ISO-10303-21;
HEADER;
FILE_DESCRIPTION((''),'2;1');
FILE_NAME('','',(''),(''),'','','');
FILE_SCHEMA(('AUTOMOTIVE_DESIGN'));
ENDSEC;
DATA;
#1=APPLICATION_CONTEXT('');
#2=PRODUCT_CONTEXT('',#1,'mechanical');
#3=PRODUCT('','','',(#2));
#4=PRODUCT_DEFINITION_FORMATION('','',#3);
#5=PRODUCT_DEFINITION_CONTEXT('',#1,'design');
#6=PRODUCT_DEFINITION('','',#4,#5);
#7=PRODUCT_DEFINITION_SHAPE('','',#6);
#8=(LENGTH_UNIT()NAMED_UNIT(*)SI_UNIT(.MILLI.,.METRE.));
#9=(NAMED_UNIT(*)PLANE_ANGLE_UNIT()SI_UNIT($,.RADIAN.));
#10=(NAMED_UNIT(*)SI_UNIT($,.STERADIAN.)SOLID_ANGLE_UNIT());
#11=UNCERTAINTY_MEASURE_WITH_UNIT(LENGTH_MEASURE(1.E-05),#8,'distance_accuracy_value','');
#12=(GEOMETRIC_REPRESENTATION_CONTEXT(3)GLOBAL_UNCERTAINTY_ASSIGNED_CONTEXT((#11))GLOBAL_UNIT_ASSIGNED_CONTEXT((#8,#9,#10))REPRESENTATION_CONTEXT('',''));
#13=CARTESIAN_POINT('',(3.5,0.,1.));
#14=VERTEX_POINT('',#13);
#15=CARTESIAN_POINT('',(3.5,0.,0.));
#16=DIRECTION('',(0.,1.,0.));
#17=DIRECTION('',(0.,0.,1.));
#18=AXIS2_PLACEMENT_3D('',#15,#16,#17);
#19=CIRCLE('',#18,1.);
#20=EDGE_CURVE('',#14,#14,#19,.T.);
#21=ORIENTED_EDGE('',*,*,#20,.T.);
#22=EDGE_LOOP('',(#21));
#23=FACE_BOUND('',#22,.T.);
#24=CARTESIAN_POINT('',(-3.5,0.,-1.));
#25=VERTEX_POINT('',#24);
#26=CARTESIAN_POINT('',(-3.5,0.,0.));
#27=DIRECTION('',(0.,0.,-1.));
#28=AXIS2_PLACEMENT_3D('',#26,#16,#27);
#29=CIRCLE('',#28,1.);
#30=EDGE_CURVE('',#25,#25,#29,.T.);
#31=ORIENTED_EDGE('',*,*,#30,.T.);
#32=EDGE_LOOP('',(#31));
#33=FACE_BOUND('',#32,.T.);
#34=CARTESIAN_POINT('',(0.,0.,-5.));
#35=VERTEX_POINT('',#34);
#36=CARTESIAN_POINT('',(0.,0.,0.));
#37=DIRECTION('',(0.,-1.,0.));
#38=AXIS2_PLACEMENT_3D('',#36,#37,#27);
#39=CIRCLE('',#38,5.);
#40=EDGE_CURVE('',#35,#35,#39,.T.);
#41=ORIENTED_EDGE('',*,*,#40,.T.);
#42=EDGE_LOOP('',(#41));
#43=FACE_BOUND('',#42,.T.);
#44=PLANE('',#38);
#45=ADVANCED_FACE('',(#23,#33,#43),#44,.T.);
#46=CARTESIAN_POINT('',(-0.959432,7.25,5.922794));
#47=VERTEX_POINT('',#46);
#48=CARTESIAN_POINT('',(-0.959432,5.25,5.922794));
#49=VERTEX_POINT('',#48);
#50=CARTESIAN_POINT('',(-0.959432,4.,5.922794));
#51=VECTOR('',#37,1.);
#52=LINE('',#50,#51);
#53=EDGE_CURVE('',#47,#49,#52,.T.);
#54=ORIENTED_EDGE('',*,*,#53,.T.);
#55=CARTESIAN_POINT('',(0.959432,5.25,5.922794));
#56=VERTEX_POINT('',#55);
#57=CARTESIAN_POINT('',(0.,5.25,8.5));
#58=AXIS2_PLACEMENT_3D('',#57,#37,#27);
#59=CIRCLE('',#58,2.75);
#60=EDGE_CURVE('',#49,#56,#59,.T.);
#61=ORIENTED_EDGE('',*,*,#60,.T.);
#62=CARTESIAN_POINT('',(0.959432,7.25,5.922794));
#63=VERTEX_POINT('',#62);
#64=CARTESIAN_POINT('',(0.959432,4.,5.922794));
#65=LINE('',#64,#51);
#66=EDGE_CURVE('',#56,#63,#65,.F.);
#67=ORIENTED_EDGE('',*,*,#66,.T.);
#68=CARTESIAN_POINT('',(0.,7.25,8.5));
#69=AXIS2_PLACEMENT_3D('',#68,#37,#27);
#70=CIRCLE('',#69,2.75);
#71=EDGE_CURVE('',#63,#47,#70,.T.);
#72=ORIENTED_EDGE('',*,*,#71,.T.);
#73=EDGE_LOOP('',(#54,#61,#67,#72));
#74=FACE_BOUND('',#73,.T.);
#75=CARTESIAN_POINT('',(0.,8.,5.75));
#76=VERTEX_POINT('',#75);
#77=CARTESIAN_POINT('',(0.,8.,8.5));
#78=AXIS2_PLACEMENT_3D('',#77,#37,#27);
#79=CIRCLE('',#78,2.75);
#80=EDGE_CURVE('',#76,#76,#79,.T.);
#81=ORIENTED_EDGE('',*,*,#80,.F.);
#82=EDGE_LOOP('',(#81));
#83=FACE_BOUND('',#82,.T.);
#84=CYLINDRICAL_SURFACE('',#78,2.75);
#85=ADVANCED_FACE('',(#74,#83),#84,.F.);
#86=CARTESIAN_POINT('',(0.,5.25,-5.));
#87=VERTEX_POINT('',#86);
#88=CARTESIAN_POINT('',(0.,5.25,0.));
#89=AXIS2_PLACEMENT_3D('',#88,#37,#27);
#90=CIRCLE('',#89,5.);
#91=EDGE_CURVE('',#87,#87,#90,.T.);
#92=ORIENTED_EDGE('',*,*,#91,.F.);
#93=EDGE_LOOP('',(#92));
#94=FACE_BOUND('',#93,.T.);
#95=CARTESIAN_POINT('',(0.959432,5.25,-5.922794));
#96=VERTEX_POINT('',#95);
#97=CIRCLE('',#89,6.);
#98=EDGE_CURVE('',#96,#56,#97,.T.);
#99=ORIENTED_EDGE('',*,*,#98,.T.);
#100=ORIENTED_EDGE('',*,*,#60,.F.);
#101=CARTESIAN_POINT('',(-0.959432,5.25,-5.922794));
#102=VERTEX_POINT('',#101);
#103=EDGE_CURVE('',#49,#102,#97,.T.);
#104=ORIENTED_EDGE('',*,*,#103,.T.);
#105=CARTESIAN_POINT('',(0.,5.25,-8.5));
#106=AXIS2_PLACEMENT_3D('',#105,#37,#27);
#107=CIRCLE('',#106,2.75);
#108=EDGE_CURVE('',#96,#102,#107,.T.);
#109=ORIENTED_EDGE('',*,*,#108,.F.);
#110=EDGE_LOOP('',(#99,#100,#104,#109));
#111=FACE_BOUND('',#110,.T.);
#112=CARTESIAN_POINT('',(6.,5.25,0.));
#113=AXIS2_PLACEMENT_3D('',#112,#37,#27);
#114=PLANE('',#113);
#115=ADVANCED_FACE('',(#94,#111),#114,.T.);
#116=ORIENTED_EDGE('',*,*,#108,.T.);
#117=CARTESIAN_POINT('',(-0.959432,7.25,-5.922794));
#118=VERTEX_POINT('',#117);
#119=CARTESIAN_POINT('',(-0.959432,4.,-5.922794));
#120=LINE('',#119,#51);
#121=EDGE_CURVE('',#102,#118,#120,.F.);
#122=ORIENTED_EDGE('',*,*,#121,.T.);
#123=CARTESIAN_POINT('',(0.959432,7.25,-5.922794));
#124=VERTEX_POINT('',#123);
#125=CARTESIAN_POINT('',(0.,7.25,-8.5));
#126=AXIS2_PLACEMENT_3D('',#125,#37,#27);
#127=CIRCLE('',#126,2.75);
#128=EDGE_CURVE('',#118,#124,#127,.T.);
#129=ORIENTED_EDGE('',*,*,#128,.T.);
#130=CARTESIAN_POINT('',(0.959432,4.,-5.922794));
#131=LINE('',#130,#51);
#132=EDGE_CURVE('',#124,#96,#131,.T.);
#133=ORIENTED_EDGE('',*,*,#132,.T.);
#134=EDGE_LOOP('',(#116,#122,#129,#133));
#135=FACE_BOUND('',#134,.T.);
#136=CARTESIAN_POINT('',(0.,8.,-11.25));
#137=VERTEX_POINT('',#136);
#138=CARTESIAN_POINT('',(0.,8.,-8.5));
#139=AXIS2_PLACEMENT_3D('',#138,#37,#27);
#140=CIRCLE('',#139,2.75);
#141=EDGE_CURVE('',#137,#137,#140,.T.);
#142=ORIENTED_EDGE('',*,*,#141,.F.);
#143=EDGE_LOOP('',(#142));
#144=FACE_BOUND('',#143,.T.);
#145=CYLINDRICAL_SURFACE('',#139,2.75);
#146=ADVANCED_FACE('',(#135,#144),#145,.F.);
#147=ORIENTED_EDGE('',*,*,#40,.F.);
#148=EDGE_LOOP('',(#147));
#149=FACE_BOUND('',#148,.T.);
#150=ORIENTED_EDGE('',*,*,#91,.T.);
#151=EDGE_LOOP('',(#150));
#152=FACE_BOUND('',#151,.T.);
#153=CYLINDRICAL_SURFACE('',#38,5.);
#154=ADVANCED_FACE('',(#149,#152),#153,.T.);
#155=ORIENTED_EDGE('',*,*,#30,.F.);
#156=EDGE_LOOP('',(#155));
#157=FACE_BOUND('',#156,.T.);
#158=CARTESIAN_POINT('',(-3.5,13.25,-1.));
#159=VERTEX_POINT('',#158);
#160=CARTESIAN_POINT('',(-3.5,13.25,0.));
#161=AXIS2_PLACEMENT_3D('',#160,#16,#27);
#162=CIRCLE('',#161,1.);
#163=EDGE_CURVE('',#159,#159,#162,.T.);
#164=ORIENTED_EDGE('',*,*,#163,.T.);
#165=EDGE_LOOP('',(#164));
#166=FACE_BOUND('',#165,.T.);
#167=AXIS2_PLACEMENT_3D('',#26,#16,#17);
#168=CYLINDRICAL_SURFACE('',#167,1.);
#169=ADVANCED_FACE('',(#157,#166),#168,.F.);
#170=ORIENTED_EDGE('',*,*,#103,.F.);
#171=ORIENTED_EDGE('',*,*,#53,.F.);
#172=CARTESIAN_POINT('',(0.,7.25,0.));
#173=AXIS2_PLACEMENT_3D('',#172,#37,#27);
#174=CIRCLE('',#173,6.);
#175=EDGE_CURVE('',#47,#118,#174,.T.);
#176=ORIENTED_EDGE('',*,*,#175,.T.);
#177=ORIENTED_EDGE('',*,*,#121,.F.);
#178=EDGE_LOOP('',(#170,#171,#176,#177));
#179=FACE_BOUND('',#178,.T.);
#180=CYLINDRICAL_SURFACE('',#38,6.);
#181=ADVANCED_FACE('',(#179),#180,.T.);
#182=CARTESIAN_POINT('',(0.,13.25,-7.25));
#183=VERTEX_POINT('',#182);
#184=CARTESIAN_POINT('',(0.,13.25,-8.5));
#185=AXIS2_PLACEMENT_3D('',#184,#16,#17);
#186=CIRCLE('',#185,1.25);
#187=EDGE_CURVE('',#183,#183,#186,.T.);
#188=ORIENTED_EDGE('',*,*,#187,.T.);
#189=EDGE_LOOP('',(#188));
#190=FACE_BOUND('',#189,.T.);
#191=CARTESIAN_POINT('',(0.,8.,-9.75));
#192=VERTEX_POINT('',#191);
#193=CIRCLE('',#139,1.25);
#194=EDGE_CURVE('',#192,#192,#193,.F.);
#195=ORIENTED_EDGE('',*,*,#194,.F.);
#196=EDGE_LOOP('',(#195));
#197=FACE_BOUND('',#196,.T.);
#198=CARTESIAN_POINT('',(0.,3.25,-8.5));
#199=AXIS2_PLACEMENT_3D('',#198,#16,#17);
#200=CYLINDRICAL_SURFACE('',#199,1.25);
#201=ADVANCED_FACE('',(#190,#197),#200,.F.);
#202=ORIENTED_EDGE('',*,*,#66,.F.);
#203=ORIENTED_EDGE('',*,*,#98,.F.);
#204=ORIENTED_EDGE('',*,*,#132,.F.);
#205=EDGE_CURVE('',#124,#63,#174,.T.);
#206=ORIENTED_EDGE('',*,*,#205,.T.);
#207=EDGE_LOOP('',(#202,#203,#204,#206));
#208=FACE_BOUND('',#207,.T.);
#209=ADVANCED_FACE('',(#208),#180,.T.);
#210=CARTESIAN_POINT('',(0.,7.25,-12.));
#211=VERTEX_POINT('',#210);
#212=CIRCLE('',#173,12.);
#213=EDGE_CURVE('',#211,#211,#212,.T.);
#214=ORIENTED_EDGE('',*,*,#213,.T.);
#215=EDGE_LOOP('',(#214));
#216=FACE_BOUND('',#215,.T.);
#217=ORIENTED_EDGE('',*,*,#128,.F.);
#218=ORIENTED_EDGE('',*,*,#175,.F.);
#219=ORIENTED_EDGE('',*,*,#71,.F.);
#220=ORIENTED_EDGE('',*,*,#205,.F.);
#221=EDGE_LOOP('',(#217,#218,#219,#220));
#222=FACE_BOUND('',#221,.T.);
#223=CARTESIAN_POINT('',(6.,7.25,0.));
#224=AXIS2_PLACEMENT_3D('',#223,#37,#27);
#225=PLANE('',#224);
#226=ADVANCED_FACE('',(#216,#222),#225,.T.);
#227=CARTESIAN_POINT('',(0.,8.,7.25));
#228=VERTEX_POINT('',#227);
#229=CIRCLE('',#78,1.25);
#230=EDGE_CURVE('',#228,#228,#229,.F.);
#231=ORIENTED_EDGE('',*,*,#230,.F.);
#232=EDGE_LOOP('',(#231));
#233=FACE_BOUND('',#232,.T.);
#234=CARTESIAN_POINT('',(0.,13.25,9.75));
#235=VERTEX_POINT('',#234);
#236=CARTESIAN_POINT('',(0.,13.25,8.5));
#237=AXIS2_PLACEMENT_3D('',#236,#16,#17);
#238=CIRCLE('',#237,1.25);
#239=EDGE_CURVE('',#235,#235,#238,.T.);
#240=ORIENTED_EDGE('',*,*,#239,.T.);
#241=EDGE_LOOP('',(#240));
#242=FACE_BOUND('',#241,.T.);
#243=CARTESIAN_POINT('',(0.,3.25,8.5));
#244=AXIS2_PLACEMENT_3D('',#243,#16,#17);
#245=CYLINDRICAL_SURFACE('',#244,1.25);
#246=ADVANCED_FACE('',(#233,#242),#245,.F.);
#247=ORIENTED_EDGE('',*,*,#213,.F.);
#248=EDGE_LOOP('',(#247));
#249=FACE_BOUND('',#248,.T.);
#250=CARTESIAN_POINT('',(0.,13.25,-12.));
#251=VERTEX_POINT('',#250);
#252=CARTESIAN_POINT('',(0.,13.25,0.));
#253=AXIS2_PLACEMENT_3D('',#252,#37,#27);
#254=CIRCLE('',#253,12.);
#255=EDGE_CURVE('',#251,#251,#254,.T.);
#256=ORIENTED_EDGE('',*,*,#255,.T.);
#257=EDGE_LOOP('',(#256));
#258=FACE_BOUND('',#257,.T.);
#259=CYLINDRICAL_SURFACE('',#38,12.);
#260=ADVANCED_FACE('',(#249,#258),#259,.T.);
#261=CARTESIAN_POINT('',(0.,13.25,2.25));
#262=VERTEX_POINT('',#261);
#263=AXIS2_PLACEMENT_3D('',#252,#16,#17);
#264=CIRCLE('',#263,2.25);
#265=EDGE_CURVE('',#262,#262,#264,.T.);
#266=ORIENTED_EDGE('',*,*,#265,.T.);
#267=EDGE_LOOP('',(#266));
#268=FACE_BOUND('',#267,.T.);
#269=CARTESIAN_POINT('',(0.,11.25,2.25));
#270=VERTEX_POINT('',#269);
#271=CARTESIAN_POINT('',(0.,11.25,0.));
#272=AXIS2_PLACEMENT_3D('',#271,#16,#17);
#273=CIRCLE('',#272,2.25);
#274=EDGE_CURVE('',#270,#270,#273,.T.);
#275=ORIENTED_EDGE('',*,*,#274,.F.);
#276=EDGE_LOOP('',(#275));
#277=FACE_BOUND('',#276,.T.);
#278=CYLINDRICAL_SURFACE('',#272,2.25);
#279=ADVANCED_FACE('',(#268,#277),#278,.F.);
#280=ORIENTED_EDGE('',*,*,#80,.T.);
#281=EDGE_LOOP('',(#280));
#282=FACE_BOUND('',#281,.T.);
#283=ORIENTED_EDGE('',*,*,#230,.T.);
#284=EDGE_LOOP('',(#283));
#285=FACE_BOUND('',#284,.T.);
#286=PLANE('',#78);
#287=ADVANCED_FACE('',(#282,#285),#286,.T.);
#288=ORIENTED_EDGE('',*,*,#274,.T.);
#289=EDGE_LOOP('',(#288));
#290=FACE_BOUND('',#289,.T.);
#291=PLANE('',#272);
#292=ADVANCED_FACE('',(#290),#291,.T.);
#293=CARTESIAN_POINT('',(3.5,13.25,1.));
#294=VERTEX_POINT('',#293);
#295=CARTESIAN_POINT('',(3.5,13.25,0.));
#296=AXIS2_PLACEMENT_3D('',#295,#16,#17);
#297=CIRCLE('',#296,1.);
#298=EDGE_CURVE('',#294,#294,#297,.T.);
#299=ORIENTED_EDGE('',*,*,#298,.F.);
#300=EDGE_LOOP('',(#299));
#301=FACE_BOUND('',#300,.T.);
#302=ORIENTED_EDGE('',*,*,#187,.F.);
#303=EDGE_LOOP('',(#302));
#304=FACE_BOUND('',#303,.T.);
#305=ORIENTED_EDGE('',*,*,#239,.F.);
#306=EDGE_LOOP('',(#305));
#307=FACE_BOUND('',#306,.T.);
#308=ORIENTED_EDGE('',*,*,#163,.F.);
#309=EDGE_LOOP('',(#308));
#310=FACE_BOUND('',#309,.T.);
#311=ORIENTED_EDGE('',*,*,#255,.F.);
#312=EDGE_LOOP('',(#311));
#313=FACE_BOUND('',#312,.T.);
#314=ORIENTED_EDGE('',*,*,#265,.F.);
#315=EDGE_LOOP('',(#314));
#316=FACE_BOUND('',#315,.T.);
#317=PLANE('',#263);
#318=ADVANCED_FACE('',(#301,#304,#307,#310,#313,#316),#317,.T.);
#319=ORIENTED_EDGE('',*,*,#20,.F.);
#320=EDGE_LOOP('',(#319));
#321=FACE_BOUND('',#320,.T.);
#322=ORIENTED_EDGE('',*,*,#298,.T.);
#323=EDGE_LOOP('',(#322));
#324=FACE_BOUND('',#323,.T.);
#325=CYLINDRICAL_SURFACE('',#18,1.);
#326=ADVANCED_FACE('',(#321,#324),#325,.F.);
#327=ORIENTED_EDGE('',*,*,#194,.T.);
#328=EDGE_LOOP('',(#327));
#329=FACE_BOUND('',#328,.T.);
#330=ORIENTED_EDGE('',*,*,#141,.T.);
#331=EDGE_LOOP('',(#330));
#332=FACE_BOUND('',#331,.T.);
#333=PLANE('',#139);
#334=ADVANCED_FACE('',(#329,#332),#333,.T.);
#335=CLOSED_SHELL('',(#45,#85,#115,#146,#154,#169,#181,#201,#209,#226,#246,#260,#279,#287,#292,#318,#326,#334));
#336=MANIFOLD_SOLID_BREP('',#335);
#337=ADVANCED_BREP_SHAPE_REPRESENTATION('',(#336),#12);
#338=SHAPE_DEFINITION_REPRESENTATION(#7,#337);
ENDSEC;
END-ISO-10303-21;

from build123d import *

# Parameters (mm, degrees)
SKETCH2_R          = 1
CUT_EXTRUDE1_DEPTH = 22.53050162
CIRPATTERN1_COUNT  = 2
SKETCH5_R          = 1.25
CUT_EXTRUDE4_DEPTH = 10
SKETCH3_R          = 2.75
CUT_EXTRUDE2_DEPTH = 8
SKETCH4_R          = 2.25
CUT_EXTRUDE3_DEPTH = 2


with BuildPart() as part:
    # Sketch1 → Revolve1 (revolve)
    with BuildSketch(Plane.XY, mode=Mode.PRIVATE) as revolve1_sk:
        Polygon((0, 13.25), (0, 0), (5, 0), (5, 5.25), (6, 5.25), (6, 7.25), (12, 7.25), (12, 13.25), align=None)
    revolve(revolve1_sk.sketch.rotate(Axis((0, 0, 0), (0, 1, 0)), 90), axis=Axis((0, 0, 0), (0, 1, 0)))

    # Sketch2 → Cut-Extrude1 (cut, through all)
    with BuildSketch(Plane(origin=(0, 13.25, 0), x_dir=(1, 0, 0), z_dir=(0, 1, 0))):
        with Locations(Location((3.5, 0, 0), (0, 0, 270))):
            Circle(SKETCH2_R)
    cut_extrude1 = extrude(amount=-CUT_EXTRUDE1_DEPTH, mode=Mode.SUBTRACT)

    # CirPattern1: Cut-Extrude1 ×2 about axis
    cirpattern1_axis = Axis((0, 0, 0), (0, 1, 0))
    for i in range(1, CIRPATTERN1_COUNT):
        add(cut_extrude1.rotate(cirpattern1_axis, i * 360 / CIRPATTERN1_COUNT), mode=Mode.SUBTRACT)

    # Sketch5 → Cut-Extrude4 (cut)
    with BuildSketch(Plane(origin=(0, 13.25, 0), x_dir=(1, 0, 0), z_dir=(0, 1, 0))):
        with Locations(Location((0, 8.5, 0), (0, 0, 270))):
            Circle(SKETCH5_R)
        with Locations(Location((0, -8.5, 0), (0, 0, 270))):
            Circle(SKETCH5_R)
    extrude(amount=-CUT_EXTRUDE4_DEPTH, mode=Mode.SUBTRACT)

    # Sketch3 → Cut-Extrude2 (cut)
    with BuildSketch(Plane.XZ):
        with Locations(Location((0, 8.5, 0), (0, 0, 270))):
            Circle(SKETCH3_R)
        with Locations(Location((0, -8.5, 0), (0, 0, 270))):
            Circle(SKETCH3_R)
    extrude(amount=-CUT_EXTRUDE2_DEPTH, mode=Mode.SUBTRACT)

    # Sketch4 → Cut-Extrude3 (cut)
    with BuildSketch(Plane(origin=(0, 13.25, 0), x_dir=(1, 0, 0), z_dir=(0, 1, 0))):
        with Locations(Location((0, 0, 0), (0, 0, 270))):
            Circle(SKETCH4_R)
    extrude(amount=-CUT_EXTRUDE3_DEPTH, mode=Mode.SUBTRACT)


solid = part.part
